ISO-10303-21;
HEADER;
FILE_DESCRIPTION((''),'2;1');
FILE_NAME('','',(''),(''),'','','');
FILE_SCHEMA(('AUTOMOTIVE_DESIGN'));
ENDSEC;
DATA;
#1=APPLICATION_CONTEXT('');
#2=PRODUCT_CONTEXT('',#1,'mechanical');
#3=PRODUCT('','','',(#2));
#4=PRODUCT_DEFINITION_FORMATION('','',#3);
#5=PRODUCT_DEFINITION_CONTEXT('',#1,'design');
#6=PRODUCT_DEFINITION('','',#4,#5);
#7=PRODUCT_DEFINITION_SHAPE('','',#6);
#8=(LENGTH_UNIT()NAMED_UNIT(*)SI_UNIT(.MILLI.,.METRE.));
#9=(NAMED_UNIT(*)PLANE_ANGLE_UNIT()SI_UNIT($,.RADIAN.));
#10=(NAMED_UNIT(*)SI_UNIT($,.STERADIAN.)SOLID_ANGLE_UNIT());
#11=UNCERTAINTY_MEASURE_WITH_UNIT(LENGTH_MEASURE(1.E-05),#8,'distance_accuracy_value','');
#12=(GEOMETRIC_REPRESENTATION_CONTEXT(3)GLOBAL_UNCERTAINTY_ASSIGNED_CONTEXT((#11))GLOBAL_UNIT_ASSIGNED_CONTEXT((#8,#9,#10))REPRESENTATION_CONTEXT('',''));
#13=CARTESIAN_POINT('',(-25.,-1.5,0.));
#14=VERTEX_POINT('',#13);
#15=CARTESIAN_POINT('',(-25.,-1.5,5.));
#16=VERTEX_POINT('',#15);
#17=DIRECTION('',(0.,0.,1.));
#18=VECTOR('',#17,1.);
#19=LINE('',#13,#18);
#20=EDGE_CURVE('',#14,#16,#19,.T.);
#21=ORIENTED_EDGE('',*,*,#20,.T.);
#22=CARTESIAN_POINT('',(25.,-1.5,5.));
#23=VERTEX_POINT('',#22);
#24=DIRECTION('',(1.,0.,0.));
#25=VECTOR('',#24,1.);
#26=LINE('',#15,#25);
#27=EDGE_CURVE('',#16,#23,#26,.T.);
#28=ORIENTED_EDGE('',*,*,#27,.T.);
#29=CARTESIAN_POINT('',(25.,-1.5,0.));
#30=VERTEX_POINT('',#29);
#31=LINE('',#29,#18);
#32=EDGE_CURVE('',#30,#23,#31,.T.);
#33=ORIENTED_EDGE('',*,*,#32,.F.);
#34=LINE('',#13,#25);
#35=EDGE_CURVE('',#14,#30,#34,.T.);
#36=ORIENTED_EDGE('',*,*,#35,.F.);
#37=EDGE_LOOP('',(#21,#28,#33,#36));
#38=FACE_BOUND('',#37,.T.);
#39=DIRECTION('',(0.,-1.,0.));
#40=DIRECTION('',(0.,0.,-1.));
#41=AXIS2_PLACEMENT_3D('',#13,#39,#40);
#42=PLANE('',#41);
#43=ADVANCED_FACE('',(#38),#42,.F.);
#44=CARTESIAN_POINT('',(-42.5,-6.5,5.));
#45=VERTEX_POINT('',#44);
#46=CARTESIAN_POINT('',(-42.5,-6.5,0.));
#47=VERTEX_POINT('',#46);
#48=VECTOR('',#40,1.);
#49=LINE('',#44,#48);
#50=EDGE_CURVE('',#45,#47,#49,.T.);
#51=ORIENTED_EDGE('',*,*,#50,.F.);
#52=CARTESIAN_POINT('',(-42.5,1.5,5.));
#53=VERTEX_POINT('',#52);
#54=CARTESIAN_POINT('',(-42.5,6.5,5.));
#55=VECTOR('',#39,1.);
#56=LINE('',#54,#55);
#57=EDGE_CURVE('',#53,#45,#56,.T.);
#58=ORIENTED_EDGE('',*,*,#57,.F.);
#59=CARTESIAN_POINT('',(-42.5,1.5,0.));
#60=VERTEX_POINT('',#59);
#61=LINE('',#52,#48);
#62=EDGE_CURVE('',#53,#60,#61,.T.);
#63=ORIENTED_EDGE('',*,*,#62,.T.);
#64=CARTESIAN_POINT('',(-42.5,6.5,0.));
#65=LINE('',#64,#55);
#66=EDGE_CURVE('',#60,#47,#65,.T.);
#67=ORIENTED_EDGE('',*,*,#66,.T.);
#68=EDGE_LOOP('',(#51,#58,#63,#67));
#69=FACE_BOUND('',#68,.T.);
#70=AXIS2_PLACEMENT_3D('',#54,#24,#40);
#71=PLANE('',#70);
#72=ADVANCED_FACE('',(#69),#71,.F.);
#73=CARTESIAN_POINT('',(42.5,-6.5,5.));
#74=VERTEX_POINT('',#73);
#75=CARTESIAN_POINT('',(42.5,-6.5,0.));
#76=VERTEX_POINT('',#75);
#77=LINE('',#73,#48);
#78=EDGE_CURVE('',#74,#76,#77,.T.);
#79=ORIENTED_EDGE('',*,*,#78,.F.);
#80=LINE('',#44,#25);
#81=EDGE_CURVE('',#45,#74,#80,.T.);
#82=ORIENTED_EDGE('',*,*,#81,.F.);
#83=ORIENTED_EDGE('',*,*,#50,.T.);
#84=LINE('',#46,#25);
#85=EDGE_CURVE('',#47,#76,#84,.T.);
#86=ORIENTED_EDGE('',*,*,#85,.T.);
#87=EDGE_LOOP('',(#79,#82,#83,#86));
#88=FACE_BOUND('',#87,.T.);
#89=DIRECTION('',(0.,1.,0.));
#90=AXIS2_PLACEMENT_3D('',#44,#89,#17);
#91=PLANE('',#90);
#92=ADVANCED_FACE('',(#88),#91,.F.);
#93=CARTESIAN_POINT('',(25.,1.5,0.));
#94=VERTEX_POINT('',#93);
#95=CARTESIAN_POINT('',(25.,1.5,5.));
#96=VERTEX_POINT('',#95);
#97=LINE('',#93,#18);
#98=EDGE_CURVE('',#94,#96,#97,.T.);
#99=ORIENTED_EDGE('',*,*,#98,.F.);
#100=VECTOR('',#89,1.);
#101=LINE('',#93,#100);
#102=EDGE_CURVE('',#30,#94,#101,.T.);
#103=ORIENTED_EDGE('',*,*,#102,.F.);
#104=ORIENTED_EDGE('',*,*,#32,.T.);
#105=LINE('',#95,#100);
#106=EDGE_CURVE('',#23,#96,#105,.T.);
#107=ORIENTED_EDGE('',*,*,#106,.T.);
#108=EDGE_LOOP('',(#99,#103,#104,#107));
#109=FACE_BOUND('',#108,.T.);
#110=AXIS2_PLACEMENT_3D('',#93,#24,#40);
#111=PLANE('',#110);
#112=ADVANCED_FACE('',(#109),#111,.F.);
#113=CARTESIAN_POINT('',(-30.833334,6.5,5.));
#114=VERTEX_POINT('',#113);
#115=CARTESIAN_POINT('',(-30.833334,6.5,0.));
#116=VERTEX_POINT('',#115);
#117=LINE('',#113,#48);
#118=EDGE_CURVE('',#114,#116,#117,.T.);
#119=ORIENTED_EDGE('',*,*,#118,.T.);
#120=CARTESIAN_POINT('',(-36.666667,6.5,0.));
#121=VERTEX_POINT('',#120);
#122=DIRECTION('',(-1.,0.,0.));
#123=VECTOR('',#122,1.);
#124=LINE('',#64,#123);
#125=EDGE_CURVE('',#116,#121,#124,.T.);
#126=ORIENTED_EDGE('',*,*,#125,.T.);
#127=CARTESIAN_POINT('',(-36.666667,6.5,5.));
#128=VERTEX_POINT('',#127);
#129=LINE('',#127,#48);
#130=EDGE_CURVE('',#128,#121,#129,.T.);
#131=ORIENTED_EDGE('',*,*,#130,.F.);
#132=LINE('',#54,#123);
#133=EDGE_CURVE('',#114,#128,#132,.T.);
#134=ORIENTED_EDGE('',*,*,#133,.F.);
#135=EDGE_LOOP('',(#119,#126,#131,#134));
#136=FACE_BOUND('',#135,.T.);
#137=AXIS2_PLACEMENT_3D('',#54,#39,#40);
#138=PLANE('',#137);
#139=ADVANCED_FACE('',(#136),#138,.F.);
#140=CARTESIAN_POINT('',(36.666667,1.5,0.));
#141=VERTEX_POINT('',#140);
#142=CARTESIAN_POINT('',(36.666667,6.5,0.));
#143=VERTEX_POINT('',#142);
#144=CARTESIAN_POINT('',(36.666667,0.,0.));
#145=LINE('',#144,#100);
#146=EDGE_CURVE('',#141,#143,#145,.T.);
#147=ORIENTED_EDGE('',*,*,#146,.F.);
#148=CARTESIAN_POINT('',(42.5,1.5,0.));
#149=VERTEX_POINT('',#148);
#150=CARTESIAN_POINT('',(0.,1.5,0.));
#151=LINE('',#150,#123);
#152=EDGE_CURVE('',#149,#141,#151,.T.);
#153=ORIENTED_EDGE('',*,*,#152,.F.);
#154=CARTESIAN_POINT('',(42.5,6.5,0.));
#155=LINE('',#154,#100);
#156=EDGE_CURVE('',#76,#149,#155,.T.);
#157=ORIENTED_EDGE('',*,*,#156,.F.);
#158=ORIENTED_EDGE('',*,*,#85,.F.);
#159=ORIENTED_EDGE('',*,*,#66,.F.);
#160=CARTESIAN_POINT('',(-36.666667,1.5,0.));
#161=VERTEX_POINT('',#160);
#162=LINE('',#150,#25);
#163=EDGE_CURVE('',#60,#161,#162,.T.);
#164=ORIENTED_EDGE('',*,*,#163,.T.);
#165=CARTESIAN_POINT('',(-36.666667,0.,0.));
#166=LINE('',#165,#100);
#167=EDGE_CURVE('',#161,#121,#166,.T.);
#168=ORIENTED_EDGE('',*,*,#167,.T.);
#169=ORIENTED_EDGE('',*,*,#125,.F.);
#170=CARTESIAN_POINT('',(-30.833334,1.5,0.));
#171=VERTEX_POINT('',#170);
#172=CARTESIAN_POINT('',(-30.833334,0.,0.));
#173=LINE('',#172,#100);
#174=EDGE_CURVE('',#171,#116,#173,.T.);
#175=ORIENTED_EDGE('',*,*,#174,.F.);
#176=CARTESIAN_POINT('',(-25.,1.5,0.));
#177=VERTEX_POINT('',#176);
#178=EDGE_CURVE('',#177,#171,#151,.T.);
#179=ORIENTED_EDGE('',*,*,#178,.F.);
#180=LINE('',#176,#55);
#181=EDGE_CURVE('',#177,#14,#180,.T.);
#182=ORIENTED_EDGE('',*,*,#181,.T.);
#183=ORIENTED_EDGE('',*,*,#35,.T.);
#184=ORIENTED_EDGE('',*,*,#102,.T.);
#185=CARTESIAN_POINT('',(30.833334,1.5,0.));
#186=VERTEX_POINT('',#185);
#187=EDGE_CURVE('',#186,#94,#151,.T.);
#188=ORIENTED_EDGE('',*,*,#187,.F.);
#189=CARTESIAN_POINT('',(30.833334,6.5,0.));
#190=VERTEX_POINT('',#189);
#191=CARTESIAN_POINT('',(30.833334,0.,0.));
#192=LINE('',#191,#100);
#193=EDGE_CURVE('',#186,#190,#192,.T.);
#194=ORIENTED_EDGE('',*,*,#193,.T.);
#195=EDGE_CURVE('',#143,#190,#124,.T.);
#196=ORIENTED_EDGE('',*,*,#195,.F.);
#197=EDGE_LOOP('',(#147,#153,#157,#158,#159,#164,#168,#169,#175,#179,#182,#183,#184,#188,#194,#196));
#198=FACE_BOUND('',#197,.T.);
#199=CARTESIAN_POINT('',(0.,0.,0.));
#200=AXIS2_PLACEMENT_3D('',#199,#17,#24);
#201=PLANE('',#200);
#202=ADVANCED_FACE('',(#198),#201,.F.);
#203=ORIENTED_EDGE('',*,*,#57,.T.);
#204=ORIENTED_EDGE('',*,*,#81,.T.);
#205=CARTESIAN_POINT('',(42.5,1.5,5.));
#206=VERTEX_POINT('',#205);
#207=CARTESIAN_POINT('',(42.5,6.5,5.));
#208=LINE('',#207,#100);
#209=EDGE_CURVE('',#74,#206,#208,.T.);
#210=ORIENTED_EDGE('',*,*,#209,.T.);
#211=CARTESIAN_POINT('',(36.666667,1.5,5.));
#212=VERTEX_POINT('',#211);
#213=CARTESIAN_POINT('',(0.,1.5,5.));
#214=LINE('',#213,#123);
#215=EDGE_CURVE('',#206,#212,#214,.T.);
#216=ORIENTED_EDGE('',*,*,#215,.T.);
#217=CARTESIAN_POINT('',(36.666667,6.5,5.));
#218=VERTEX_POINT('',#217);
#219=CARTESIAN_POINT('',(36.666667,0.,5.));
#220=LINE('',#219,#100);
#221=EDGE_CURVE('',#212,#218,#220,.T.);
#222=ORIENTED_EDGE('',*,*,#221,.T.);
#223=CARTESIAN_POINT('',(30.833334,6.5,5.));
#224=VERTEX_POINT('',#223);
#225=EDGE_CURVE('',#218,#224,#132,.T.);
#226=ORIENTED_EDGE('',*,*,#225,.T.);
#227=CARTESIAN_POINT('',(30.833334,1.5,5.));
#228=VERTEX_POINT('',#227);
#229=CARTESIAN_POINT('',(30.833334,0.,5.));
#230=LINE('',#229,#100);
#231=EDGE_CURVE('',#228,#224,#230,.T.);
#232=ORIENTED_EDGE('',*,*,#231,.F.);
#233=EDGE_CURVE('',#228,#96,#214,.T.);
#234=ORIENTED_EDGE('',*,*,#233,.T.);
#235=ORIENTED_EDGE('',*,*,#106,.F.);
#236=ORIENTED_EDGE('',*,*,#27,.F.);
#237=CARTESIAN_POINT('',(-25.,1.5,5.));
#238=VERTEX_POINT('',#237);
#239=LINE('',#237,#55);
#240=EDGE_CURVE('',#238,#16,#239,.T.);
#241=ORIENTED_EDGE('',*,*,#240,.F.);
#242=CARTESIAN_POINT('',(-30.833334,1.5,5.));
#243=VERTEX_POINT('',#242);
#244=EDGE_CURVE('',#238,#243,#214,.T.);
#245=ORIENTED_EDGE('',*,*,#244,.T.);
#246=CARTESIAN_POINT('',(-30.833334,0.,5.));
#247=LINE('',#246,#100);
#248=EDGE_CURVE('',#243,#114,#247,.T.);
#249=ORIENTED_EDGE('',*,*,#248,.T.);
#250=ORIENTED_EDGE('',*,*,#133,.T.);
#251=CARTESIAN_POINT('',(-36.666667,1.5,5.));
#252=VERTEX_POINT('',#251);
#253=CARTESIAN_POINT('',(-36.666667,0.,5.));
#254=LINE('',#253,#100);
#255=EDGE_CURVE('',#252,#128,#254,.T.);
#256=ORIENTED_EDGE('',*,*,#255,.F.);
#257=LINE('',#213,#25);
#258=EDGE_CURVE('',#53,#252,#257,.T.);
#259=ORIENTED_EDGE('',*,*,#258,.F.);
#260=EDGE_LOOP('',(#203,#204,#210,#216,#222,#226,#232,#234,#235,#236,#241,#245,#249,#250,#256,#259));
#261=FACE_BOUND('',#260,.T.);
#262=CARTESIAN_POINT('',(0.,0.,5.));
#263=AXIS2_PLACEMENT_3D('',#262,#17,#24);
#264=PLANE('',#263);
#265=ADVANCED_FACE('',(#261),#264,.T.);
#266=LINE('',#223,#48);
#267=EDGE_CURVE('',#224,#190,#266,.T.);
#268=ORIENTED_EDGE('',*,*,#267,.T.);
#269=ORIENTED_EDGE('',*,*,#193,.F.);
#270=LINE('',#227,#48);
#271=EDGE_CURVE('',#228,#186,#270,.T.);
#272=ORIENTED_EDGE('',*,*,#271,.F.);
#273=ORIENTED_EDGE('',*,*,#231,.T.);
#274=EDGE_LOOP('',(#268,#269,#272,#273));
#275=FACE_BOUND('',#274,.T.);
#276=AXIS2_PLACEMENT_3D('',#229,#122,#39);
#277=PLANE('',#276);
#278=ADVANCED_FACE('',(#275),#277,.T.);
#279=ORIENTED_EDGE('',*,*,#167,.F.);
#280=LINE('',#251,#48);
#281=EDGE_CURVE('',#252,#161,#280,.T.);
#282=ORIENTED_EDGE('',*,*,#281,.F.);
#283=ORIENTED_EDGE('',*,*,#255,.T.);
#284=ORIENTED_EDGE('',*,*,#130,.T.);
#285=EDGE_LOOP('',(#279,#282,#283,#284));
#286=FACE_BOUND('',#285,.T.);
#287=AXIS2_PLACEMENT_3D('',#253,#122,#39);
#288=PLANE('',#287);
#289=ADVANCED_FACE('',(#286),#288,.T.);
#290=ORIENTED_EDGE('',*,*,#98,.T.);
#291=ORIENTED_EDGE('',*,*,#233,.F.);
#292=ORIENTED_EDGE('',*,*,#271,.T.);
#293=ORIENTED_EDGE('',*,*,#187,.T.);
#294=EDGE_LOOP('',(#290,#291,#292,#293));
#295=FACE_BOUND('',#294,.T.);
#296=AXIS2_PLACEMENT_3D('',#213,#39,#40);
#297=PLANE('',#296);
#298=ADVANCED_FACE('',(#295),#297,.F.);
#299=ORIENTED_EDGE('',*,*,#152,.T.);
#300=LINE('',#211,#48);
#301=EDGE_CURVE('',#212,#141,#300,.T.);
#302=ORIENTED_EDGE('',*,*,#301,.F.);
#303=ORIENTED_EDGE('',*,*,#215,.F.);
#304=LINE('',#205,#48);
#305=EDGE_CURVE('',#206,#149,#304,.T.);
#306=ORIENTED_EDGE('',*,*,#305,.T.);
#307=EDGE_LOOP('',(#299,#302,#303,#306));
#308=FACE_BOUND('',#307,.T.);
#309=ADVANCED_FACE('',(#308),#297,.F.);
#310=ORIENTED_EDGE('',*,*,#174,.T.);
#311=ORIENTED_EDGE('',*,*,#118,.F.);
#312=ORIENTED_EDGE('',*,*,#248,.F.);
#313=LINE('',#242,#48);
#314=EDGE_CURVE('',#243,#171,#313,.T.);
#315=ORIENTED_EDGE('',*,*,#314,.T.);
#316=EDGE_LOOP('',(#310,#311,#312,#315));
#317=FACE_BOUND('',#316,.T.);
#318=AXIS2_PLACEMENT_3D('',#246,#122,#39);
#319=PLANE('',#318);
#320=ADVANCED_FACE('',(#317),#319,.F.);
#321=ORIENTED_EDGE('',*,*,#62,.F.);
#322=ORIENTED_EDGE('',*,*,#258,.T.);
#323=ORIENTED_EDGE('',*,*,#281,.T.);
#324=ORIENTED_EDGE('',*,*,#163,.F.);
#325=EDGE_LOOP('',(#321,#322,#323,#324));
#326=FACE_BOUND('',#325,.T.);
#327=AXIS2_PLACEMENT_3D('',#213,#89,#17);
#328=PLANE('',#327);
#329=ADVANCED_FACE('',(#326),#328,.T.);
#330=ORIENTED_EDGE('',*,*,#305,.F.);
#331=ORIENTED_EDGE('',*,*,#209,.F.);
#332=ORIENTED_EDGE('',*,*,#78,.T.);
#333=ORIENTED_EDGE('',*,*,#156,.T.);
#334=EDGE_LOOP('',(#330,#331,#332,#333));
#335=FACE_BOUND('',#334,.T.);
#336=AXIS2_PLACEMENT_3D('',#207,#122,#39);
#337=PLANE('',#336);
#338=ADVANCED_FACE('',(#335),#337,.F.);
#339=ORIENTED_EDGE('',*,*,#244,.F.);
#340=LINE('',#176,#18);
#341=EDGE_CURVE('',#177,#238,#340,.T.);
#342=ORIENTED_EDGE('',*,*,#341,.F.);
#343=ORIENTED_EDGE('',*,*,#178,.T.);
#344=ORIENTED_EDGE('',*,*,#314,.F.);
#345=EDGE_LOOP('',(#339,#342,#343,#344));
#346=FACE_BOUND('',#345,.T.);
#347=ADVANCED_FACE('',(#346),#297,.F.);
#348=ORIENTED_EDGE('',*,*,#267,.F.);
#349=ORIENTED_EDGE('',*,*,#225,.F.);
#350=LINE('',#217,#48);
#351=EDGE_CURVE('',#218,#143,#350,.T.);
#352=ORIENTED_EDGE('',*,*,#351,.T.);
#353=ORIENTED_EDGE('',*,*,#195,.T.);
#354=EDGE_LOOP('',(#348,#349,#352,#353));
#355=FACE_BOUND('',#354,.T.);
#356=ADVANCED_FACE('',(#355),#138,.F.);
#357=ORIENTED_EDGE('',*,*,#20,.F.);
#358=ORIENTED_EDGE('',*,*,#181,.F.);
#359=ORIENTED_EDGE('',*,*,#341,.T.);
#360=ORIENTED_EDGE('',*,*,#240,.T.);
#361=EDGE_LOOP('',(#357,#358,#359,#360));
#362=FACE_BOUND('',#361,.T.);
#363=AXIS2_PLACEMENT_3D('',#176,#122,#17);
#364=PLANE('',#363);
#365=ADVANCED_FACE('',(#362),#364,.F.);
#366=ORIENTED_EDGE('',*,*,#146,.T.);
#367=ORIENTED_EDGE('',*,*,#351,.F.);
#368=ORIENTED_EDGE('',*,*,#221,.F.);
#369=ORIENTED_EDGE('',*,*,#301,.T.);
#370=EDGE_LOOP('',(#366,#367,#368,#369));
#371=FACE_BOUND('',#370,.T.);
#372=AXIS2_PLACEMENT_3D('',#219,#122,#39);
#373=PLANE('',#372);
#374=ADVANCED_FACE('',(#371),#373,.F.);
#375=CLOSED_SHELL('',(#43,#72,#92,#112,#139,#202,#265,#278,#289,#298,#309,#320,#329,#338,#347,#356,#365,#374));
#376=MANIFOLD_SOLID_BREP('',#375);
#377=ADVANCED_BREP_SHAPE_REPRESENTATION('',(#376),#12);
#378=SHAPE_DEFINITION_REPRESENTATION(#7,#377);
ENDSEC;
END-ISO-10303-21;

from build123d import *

# Parameters (mm, degrees)
SKETCH1_W           = 85
SKETCH1_H           = 13
BOSS_EXTRUDE1_DEPTH = 5
SKETCH2_W           = 50
SKETCH2_H           = 3
CUT_EXTRUDE1_DEPTH  = 44.283946216
SKETCH3_W           = 5.833333
SKETCH3_H           = 5
SKETCH3_W_2         = 61.666668
CUT_EXTRUDE2_DEPTH  = 44.283946216


with BuildPart() as part:
    # Sketch1 → Boss-Extrude1 (new body)
    with BuildSketch(Plane.XY):
        Rectangle(SKETCH1_W, SKETCH1_H)
    extrude(amount=BOSS_EXTRUDE1_DEPTH)

    # Sketch2 → Cut-Extrude1 (cut, through all)
    with BuildSketch(Plane.XY.offset(5)):
        Rectangle(SKETCH2_W, SKETCH2_H)
    extrude(amount=-CUT_EXTRUDE1_DEPTH, mode=Mode.SUBTRACT)

    # Sketch3 → Cut-Extrude2 (cut, through all)
    with BuildSketch(Plane(origin=(0, 0, 0), x_dir=(-1, 0, 0), z_dir=(0, 0, -1))):
        with Locations((-39.5833335, 4)):
            Rectangle(SKETCH3_W, SKETCH3_H)
        with Locations((0, 4)):
            Rectangle(SKETCH3_W_2, SKETCH3_H)
        with Locations((39.5833335, 4)):
            Rectangle(SKETCH3_W, SKETCH3_H)
    extrude(amount=-CUT_EXTRUDE2_DEPTH, mode=Mode.SUBTRACT)


solid = part.part
